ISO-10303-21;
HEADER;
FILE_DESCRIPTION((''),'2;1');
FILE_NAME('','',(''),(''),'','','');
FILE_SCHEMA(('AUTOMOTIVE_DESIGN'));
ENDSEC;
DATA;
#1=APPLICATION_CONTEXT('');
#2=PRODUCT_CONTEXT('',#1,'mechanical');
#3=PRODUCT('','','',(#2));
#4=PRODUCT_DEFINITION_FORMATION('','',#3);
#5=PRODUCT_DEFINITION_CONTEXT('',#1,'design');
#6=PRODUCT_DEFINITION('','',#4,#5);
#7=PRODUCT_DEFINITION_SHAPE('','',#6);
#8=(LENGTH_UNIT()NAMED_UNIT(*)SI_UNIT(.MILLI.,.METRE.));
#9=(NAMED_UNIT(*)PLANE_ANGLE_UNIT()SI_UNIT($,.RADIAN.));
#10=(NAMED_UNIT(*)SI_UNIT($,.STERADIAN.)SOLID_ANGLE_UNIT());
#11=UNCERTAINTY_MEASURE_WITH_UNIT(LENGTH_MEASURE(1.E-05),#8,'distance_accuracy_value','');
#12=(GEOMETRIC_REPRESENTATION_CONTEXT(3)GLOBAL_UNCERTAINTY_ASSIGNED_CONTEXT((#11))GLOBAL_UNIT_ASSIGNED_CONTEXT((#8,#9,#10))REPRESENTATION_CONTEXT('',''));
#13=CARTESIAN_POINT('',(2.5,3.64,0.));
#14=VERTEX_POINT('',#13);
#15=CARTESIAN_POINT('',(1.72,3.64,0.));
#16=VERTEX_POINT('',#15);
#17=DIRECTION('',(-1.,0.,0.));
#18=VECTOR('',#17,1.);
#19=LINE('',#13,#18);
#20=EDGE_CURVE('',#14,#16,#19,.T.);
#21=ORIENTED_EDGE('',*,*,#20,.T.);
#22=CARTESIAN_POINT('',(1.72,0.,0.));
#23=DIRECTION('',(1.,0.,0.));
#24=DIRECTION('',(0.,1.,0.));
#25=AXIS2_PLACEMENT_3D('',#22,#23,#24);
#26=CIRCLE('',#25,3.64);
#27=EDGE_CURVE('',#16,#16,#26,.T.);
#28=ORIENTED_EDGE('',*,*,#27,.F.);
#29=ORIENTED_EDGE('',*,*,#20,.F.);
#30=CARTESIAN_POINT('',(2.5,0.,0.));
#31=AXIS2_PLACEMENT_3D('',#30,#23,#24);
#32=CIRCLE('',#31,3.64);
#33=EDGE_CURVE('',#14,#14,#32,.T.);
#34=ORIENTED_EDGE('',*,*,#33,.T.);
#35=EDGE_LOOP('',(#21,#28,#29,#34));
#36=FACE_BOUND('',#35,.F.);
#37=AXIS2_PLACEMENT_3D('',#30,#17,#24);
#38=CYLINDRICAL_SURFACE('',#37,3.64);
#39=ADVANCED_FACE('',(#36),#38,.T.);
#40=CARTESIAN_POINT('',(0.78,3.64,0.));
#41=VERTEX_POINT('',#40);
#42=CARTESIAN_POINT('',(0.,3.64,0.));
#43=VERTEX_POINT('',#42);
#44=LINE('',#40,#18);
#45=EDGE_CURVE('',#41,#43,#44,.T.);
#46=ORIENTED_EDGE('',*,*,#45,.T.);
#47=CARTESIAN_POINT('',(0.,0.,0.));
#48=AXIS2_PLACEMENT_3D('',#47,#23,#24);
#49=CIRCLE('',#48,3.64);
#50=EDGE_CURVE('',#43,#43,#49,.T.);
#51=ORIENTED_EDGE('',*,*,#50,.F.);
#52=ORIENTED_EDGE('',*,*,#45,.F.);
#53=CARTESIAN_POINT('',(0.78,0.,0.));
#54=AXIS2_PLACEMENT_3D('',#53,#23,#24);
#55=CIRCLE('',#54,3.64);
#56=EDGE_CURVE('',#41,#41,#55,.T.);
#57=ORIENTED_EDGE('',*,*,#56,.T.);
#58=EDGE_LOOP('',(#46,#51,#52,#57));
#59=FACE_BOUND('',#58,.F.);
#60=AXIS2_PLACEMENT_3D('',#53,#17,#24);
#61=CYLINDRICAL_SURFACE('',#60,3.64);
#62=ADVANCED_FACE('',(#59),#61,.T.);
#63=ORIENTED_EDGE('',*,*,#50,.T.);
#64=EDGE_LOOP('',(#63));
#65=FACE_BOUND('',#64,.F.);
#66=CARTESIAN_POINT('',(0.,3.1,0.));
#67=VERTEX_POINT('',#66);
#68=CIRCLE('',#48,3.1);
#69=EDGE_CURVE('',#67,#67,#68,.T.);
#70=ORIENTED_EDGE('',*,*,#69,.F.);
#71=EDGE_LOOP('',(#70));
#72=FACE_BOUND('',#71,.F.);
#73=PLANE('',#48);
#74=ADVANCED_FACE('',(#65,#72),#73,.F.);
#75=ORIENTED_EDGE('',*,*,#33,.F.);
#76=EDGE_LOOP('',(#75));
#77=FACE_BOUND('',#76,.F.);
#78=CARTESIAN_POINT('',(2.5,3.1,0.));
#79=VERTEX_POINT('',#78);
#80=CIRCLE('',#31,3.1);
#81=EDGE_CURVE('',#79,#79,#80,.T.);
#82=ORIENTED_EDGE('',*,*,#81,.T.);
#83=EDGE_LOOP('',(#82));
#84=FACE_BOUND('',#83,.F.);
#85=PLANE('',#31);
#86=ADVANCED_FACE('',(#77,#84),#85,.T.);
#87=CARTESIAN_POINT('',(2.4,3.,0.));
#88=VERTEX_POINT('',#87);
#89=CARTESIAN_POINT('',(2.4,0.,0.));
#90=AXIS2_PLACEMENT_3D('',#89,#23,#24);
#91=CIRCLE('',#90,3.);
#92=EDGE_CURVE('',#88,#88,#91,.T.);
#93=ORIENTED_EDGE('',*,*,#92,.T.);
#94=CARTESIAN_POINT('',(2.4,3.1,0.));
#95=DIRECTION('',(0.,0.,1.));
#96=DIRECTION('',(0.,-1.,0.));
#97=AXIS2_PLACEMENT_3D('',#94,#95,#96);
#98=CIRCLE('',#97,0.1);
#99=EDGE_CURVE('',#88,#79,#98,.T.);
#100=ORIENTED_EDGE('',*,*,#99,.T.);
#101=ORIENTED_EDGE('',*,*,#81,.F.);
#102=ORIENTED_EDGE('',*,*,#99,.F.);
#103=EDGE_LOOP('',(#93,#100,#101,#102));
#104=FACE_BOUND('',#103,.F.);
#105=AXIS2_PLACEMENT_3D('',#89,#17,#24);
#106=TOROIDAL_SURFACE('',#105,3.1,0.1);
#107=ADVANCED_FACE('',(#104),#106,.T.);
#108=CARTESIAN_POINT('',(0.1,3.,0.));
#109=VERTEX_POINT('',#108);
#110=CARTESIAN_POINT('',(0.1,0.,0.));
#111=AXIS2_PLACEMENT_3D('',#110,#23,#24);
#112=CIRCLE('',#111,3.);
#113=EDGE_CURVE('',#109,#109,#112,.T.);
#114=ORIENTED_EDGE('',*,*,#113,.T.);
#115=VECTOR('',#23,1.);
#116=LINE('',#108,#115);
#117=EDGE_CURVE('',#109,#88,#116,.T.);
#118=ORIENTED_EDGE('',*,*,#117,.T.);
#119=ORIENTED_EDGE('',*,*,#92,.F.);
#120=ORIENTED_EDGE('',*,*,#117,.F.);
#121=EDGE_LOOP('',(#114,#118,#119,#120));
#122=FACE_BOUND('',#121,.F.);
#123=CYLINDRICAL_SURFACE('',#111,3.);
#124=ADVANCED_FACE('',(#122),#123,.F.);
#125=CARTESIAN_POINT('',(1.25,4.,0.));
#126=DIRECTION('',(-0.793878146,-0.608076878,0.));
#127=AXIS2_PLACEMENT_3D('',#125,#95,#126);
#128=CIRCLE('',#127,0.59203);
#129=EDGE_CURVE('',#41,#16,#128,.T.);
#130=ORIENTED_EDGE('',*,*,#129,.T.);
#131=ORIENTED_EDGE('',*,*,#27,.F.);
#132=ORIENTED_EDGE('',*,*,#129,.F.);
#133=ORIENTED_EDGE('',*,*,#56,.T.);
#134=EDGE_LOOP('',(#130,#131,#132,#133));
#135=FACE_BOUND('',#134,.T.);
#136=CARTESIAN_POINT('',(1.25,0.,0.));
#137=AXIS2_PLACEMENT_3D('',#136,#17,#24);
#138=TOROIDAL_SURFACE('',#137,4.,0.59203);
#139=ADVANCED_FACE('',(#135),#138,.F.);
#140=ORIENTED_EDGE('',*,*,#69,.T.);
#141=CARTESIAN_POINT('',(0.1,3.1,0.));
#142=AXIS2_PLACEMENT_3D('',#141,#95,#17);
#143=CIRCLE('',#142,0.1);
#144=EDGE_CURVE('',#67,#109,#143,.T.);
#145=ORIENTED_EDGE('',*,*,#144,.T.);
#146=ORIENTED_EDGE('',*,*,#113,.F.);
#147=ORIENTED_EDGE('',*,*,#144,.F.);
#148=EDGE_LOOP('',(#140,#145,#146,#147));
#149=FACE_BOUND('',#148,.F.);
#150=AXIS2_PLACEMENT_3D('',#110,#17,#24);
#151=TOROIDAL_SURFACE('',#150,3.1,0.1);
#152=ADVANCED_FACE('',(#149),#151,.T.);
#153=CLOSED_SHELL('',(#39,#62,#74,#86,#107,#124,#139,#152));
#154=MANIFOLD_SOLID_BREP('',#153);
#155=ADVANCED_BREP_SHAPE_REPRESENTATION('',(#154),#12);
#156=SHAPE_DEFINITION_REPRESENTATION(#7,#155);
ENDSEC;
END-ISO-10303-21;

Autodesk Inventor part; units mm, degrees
sketch "Sketch_1" plane through (0, 0, 0) normal (0, 0, 1) x (1, 0, 0)
  line L0 (2.5, 0) -> (0, 0)
  arc A0 (0, 3.1) -> (0.1, 3) centre (0.1, 3.1) ccw
  line L1 (0.1, 3) -> (2.4, 3)
  arc A1 (2.4, 3) -> (2.5, 3.1) centre (2.4, 3.1) ccw
  line L2 (2.5, 3.1) -> (2.5, 3.64)
  line L3 (2.5, 3.64) -> (1.72, 3.64)
  arc A2 (0.78, 3.64) -> (1.72, 3.64) centre (1.25, 4) ccw
  line L4 (0.78, 3.64) -> (0, 3.64)
  line L5 (0, 3.64) -> (0, 3.1)
revolve "Revolution1" add sketch "Sketch_1" angle 360 about axis through (2.5, 0, 0) along (1, 0, 0)
ref_plane "mss_ir_XY" through (0, 0, 0) normal (1, 0, 0) x (0, 0, -1)
ref_plane "mss_ir_YZ" through (0, 0, 0) normal (0, 0, -1) x (0, 1, 0)
ref_plane "mss_ir_ZX" through (0, 0, 0) normal (0, 1, 0) x (1, 0, 0)
properties part number "676A Inner ring"
